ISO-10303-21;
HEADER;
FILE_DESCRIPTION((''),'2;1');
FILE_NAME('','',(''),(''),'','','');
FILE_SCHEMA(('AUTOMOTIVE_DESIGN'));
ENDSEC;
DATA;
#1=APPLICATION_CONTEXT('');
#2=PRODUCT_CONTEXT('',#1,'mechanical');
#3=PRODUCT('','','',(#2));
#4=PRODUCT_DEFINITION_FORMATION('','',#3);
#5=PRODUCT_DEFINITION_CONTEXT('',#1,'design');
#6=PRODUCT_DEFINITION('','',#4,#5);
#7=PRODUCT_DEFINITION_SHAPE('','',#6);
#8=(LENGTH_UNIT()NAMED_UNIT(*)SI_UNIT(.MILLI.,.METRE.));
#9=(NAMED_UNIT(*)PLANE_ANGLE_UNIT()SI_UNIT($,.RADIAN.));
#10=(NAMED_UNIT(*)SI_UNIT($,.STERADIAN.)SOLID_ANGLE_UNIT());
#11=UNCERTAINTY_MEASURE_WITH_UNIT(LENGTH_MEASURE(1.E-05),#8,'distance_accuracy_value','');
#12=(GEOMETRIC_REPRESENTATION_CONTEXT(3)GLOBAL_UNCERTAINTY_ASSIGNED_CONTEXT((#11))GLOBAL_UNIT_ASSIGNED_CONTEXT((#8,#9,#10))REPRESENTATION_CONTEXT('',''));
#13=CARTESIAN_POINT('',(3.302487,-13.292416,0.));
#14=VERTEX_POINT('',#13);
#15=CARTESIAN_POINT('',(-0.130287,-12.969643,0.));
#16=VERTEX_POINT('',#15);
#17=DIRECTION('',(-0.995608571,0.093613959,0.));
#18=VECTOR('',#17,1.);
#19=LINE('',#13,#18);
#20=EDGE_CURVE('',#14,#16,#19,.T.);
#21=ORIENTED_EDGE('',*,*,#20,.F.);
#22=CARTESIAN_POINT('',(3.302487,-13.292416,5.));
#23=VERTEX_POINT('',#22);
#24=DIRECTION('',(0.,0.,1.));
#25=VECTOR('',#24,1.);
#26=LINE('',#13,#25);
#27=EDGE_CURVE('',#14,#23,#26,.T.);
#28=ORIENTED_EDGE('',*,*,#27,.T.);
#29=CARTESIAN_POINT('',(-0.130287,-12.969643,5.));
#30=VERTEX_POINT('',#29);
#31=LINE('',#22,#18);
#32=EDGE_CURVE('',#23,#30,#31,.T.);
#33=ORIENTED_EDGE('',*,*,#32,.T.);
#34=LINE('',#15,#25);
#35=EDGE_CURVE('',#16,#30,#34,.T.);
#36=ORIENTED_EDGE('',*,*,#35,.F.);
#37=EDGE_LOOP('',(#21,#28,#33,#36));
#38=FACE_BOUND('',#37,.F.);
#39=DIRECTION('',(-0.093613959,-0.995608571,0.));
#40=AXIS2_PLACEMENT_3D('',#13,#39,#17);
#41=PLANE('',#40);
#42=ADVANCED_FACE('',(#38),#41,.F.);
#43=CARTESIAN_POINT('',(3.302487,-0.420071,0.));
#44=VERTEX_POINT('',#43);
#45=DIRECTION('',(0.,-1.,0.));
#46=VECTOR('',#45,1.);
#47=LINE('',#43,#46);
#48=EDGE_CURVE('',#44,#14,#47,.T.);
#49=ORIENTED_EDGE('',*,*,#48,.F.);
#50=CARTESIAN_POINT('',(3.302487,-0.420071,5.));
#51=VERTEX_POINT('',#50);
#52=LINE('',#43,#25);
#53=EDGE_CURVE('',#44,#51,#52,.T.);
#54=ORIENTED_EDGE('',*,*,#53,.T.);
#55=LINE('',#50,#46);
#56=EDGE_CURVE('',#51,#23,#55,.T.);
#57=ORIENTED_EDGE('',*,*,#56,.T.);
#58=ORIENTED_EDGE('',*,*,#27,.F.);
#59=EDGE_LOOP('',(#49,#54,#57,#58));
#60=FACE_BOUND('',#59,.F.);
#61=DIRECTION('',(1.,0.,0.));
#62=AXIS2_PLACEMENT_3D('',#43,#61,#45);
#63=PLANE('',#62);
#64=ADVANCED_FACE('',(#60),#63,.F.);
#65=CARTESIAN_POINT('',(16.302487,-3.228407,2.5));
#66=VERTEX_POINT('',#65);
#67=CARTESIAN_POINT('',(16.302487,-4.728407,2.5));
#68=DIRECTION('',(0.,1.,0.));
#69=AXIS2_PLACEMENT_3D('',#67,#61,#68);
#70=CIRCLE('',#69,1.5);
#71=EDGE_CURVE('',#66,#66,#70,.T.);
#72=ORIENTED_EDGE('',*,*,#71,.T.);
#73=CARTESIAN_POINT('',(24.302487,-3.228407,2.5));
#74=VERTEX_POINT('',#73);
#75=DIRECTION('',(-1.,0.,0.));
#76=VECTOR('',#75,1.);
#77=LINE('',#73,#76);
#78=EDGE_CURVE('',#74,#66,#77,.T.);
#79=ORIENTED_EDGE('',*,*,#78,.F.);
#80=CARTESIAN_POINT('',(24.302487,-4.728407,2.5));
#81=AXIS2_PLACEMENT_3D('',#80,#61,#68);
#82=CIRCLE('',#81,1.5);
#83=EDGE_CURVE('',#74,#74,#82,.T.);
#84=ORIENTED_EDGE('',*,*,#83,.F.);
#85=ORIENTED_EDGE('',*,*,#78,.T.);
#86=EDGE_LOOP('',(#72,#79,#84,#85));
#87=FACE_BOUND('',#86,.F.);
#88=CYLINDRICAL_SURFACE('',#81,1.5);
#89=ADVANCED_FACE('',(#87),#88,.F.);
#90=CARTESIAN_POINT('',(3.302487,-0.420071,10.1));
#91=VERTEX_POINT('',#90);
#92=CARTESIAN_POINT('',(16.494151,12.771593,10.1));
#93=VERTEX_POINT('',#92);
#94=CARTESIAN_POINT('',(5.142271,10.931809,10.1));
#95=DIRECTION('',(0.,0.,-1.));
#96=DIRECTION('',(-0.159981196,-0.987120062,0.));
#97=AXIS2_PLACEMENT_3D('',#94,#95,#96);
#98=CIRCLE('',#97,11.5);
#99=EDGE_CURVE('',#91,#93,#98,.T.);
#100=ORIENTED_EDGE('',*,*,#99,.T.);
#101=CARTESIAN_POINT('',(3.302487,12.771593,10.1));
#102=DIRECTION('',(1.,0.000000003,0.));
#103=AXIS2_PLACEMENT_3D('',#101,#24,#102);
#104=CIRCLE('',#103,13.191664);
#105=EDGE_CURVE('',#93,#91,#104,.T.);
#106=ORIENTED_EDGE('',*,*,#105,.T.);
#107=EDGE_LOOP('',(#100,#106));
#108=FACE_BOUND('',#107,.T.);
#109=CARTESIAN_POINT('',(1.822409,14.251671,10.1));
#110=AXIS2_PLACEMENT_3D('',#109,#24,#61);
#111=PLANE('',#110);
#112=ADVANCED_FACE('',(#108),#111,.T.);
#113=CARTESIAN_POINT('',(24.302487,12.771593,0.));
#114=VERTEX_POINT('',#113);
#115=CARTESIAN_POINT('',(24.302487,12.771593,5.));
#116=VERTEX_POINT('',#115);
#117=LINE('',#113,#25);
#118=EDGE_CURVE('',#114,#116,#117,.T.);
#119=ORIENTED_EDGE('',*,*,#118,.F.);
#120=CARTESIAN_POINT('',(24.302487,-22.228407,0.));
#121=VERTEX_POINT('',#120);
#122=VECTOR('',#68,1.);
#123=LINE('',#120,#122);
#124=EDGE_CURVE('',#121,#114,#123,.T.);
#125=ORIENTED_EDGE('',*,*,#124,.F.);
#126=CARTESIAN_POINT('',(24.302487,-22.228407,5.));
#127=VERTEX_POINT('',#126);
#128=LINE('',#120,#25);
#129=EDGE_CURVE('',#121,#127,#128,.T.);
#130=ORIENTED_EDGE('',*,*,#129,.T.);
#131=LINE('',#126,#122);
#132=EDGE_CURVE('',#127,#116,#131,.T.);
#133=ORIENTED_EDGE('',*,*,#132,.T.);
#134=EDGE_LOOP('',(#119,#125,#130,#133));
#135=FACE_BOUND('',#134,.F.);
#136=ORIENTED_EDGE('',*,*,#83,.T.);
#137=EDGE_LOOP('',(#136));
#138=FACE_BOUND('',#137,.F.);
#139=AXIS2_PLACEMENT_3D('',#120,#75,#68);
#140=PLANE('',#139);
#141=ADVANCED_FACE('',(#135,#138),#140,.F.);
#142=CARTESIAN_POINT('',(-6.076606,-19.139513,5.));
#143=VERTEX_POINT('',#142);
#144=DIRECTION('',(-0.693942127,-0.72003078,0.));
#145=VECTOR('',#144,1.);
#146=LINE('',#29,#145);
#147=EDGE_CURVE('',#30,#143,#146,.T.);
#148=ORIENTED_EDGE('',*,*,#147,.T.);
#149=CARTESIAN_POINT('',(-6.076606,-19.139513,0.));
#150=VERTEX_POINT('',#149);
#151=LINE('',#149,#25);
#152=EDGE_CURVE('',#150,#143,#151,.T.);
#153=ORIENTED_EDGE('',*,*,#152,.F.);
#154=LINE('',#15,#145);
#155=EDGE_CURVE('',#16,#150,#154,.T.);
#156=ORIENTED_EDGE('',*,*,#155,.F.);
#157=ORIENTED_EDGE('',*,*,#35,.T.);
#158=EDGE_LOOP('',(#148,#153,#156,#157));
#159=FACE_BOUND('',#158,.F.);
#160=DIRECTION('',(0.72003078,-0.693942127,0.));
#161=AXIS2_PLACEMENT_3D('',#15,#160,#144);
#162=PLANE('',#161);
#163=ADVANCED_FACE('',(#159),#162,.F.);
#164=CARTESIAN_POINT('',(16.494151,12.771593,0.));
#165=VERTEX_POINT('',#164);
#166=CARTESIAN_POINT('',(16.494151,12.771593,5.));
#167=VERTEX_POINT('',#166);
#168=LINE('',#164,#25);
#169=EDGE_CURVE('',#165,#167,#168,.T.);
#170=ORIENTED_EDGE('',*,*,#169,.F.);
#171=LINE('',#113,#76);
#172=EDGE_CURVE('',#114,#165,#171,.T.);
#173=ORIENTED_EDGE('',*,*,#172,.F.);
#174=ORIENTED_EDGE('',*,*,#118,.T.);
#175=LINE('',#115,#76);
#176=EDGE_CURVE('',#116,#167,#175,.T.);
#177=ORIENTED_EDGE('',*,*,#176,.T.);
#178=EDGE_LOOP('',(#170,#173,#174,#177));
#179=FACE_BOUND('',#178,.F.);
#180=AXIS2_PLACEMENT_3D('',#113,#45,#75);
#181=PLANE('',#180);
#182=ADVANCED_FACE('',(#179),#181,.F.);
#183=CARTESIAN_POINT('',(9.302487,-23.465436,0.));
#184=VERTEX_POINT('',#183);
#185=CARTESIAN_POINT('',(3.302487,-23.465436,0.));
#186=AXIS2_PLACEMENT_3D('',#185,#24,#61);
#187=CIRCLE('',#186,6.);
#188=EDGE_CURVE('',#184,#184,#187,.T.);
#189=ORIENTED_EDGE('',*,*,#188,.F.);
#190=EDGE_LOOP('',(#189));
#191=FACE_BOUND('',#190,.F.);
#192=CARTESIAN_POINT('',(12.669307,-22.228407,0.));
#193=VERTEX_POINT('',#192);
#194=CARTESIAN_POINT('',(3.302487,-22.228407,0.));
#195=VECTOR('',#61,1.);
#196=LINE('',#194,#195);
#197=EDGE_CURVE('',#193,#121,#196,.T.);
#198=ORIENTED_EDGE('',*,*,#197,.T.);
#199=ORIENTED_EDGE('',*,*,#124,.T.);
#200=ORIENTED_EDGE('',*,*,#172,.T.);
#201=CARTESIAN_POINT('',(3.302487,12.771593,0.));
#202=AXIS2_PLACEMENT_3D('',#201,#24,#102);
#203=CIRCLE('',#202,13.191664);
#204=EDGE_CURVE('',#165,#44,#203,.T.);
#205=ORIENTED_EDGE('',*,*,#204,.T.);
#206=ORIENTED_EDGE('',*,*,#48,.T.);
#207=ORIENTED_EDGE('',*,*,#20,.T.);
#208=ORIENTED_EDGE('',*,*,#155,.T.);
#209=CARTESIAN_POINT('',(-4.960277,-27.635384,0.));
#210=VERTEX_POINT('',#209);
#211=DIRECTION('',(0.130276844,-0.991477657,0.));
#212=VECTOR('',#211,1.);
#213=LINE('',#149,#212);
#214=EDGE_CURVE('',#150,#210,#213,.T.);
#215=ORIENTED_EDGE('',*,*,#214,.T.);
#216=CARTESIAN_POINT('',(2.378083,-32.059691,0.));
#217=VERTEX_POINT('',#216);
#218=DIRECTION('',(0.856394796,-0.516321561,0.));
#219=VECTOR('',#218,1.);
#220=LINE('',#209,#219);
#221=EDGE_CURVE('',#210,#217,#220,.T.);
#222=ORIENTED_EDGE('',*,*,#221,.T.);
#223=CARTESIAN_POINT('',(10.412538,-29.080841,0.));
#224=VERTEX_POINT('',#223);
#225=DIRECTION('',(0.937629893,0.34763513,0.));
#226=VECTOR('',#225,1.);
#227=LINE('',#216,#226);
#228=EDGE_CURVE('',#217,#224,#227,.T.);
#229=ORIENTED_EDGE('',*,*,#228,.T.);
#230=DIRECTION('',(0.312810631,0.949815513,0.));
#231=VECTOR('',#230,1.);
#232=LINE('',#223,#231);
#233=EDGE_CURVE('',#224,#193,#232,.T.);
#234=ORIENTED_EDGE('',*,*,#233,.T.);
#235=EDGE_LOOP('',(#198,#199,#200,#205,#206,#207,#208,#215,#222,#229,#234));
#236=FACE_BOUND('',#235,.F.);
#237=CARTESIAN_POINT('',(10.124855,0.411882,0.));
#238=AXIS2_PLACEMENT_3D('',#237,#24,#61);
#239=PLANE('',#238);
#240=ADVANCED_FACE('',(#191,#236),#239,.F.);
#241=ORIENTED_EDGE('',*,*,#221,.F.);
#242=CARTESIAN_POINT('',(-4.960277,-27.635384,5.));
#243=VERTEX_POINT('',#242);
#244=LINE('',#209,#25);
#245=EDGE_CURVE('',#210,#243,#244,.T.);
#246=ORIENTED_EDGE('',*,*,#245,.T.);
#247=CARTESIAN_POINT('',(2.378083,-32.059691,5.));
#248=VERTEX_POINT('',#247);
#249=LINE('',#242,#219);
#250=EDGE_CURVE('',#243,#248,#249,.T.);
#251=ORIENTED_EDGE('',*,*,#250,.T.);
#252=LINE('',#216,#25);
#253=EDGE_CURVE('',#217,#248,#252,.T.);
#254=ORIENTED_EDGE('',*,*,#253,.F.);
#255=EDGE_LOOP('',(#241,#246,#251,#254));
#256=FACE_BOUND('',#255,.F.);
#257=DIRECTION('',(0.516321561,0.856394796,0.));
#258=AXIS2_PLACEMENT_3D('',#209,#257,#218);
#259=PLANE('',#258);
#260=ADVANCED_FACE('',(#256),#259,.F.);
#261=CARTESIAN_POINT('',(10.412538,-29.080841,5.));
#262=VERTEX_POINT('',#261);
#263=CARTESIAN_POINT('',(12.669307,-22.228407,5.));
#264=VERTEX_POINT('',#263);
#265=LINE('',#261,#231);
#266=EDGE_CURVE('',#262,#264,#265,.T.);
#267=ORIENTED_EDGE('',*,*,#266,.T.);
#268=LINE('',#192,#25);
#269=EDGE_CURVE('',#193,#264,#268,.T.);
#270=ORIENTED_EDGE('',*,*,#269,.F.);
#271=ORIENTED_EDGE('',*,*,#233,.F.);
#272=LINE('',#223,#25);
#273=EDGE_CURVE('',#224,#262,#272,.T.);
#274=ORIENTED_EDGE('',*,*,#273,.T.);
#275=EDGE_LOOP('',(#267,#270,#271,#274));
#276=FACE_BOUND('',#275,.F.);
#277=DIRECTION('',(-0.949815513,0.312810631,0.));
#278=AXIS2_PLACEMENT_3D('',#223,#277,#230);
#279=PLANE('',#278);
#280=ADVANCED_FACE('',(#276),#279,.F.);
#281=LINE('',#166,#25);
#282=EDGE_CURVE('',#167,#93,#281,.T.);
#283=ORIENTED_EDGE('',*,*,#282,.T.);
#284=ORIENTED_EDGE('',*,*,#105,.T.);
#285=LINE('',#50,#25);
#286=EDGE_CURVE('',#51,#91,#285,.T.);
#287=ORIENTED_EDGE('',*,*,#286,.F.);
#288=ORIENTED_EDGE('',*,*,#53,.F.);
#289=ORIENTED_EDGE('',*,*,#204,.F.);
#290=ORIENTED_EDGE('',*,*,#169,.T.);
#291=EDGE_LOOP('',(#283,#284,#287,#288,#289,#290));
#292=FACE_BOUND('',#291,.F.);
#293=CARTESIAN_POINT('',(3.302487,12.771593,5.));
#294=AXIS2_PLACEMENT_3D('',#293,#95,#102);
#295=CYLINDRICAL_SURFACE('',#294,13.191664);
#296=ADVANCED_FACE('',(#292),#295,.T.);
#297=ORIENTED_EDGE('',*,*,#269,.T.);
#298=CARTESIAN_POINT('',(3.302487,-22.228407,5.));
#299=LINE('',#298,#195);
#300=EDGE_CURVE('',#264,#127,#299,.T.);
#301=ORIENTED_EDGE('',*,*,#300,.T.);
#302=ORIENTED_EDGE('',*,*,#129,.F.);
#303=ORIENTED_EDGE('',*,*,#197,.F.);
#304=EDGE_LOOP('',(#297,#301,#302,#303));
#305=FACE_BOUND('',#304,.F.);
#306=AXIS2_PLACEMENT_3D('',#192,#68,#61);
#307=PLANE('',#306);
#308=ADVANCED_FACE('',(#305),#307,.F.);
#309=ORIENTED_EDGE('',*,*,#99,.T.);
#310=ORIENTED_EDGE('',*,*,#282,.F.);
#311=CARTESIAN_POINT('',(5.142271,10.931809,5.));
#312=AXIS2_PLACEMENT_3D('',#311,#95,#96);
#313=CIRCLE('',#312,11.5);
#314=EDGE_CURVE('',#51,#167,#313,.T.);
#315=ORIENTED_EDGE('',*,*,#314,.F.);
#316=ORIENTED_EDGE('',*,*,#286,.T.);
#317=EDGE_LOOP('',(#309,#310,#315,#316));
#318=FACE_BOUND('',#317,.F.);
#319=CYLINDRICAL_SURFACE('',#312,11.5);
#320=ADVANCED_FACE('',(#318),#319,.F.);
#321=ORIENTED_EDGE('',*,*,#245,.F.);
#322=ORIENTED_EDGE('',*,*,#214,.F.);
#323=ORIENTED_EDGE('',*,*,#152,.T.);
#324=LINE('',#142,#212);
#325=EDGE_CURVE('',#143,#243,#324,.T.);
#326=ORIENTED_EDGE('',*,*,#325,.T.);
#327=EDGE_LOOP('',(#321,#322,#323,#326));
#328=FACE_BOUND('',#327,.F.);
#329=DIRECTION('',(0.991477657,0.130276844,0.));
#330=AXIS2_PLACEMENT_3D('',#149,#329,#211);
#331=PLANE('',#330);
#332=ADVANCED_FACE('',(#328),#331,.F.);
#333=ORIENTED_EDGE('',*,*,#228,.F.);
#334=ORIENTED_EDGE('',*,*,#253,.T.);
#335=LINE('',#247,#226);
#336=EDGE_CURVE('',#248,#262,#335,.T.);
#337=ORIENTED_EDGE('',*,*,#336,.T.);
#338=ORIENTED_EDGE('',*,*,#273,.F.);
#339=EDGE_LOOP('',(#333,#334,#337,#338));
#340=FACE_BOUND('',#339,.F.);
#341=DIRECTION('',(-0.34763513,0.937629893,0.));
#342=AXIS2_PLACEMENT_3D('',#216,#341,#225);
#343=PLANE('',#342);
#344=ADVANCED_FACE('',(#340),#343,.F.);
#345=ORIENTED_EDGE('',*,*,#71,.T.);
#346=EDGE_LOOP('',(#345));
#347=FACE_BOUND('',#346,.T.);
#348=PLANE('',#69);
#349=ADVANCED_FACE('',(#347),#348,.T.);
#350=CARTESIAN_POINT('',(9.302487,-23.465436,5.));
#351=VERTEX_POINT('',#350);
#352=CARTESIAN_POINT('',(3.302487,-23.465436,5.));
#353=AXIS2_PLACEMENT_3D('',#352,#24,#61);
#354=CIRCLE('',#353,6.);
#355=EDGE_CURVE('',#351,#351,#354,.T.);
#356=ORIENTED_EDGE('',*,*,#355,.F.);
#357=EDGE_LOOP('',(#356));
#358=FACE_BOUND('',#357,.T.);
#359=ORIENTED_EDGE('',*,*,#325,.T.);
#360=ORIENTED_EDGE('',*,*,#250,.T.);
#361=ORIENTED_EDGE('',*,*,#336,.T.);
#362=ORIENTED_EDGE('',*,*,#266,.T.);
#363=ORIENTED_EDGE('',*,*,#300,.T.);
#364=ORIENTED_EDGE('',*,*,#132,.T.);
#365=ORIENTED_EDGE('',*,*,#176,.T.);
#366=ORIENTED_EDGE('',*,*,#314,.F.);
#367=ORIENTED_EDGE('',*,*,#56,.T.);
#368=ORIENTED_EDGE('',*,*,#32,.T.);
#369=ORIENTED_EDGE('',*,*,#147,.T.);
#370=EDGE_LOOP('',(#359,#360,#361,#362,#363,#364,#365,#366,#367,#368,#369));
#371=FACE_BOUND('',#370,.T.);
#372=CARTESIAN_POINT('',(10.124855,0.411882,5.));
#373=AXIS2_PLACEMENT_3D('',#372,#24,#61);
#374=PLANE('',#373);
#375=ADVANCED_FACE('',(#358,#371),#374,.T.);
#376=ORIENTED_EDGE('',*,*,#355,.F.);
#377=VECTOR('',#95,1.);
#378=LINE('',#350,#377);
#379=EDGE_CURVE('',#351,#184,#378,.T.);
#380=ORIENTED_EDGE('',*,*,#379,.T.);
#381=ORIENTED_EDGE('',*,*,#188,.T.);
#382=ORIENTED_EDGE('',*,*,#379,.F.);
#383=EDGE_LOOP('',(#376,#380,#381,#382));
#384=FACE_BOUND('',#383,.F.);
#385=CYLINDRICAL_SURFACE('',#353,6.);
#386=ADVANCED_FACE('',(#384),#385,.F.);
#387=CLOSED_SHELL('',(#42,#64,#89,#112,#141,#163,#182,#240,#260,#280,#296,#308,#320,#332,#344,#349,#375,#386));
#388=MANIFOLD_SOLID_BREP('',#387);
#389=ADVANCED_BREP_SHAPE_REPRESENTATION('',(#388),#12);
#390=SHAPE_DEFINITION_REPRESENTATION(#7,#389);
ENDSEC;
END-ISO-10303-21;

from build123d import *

# Parameters (mm, degrees)
F1_DEPTH = 5
F3_DEPTH = 5.1
F4_R     = 1.5
F5_DEPTH = 8
F6_R     = 6
F7_DEPTH = 25


with BuildPart() as f1:
    # F0 (on Top) → F1 (new body)
    with BuildSketch(Plane.XY):
        with BuildLine():
            Line((24.302487, 12.771593), (16.494151, 12.771593))
            ThreePointArc((16.494151, 12.771593), (-6.025428, 22.099508), (3.302487, -0.420071))
            Line((3.302487, -0.420071), (3.302487, -13.292416))
            Line((3.302487, -13.292416), (3.302487, -22.228407))
            Line((3.302487, -22.228407), (12.669307, -22.228407))
            Line((12.669307, -22.228407), (24.302487, -22.228407))
            Line((24.302487, -22.228407), (24.302487, 12.771593))
        make_face()
        Polygon((3.302487, -22.228407), (3.302487, -13.292416), (-0.130287, -12.969643), (-6.076606, -19.139513), (-4.960277, -27.635384), (2.378083, -32.059691), (10.412538, -29.080841), (12.669307, -22.228407), align=None)
    extrude(amount=F1_DEPTH)

    # F2 (on face) → F3 (join)
    with BuildSketch(Plane.XY.offset(5)):
        with BuildLine():
            ThreePointArc((3.302487, -0.420071), (-2.989457, 19.063537), (16.494151, 12.771593))
            ThreePointArc((16.494151, 12.771593), (-6.025428, 22.099508), (3.302487, -0.420071))
        make_face()
    extrude(amount=F3_DEPTH)

    # F4 (on face) → F5 (cut)
    with BuildSketch(Plane.YZ.offset(24.302487)):
        with Locations((-4.728407, 2.5)):
            Circle(F4_R)
    extrude(amount=-F5_DEPTH, mode=Mode.SUBTRACT)

    # F6 (on face) → F7 (cut)
    with BuildSketch(Plane.XY.offset(5)):
        with Locations((3.302487, -23.465436)):
            Circle(F6_R)
    extrude(amount=-F7_DEPTH, mode=Mode.SUBTRACT)


solid = f1.part
